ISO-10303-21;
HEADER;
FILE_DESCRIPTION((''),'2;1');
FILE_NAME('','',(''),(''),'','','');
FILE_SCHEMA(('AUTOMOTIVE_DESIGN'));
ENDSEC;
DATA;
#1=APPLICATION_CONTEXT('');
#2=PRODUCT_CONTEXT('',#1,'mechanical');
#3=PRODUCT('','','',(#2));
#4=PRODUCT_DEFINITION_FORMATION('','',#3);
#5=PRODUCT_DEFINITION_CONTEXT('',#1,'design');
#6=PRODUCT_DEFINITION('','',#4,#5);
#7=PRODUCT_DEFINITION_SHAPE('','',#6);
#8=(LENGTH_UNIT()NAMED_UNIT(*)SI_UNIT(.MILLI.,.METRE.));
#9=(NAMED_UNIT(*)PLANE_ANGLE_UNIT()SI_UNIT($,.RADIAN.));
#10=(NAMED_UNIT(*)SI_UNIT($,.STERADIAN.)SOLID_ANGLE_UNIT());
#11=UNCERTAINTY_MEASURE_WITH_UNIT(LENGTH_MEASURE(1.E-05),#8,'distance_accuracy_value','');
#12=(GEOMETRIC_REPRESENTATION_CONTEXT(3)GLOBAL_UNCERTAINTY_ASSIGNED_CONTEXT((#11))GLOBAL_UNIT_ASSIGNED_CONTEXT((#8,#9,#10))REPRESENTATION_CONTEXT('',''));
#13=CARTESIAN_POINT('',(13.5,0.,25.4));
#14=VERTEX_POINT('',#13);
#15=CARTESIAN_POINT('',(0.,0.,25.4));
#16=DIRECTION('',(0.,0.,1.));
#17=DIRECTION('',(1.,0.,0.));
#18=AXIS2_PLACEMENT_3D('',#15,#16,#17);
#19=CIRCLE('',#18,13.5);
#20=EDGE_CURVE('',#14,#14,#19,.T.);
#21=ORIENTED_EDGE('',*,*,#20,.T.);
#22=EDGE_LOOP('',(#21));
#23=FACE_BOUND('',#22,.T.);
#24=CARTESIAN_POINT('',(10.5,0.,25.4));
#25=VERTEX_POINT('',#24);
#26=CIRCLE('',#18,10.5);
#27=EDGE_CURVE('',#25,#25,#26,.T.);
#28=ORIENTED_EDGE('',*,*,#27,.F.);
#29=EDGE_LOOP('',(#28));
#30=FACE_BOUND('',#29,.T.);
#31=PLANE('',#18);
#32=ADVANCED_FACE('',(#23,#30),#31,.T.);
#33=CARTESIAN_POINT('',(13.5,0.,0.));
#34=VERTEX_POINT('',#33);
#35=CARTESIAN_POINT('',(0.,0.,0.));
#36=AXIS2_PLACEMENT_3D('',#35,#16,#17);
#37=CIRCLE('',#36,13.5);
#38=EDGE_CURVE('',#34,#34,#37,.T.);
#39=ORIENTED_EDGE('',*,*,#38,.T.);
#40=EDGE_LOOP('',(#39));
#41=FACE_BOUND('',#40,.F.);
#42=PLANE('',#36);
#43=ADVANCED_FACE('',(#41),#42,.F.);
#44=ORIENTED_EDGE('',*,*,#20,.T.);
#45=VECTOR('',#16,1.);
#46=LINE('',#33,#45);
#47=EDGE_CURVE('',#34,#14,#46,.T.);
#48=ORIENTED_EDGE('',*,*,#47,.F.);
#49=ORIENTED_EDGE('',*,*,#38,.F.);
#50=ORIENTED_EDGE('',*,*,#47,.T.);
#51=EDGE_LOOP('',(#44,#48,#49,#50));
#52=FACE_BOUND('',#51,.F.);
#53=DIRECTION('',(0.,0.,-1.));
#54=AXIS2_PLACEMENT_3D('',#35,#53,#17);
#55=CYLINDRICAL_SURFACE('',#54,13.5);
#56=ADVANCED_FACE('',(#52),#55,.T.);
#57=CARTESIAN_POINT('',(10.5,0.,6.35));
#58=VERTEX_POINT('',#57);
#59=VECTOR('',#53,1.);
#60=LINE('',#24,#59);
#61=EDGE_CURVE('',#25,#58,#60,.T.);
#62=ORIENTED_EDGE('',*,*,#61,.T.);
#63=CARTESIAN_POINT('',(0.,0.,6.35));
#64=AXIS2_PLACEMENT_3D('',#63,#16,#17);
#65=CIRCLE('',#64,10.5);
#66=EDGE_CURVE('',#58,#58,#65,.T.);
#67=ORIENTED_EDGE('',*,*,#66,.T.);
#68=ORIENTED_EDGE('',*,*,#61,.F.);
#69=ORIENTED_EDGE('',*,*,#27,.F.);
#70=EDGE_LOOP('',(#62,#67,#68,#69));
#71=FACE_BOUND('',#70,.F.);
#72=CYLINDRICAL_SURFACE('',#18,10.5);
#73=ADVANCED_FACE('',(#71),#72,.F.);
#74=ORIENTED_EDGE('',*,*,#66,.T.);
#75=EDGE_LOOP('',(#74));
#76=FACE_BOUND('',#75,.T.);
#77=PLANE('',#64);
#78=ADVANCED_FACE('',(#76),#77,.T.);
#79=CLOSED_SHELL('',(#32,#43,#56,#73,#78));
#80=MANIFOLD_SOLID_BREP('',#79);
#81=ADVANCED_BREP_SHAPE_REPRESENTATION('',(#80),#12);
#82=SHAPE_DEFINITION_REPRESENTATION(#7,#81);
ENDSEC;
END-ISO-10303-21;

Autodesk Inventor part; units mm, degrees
ref_plane "YZ Plane" through (0, 0, 0) normal (1, 0, 0) x (0, 1, 0)
ref_plane "XZ Plane" through (0, 0, 0) normal (0, 1, 0) x (-1, 0, 0)
ref_plane "XY Plane" through (0, 0, 0) normal (0, 0, 1) x (1, 0, 0)
sketch "Sketch1" plane through (0, 0, 0) normal (0, 0, 1) x (1, 0, 0)
  circle A0 centre (0, 0) radius 13.5
  dimension "d0" = 27
extrude "Extrusion1" add sketch "Sketch1" along normal blind 25.4
sketch "Sketch2" plane through (0, 0, 25.4) normal (0, 0, 1) x (1, 0, 0)
  circle A0 centre (0, 0) radius 10.5
  dimension "d3" = 21
extrude "Extrusion2" cut sketch "Sketch2" against normal blind 19.05
properties part number "light_blocking_cap_2"
